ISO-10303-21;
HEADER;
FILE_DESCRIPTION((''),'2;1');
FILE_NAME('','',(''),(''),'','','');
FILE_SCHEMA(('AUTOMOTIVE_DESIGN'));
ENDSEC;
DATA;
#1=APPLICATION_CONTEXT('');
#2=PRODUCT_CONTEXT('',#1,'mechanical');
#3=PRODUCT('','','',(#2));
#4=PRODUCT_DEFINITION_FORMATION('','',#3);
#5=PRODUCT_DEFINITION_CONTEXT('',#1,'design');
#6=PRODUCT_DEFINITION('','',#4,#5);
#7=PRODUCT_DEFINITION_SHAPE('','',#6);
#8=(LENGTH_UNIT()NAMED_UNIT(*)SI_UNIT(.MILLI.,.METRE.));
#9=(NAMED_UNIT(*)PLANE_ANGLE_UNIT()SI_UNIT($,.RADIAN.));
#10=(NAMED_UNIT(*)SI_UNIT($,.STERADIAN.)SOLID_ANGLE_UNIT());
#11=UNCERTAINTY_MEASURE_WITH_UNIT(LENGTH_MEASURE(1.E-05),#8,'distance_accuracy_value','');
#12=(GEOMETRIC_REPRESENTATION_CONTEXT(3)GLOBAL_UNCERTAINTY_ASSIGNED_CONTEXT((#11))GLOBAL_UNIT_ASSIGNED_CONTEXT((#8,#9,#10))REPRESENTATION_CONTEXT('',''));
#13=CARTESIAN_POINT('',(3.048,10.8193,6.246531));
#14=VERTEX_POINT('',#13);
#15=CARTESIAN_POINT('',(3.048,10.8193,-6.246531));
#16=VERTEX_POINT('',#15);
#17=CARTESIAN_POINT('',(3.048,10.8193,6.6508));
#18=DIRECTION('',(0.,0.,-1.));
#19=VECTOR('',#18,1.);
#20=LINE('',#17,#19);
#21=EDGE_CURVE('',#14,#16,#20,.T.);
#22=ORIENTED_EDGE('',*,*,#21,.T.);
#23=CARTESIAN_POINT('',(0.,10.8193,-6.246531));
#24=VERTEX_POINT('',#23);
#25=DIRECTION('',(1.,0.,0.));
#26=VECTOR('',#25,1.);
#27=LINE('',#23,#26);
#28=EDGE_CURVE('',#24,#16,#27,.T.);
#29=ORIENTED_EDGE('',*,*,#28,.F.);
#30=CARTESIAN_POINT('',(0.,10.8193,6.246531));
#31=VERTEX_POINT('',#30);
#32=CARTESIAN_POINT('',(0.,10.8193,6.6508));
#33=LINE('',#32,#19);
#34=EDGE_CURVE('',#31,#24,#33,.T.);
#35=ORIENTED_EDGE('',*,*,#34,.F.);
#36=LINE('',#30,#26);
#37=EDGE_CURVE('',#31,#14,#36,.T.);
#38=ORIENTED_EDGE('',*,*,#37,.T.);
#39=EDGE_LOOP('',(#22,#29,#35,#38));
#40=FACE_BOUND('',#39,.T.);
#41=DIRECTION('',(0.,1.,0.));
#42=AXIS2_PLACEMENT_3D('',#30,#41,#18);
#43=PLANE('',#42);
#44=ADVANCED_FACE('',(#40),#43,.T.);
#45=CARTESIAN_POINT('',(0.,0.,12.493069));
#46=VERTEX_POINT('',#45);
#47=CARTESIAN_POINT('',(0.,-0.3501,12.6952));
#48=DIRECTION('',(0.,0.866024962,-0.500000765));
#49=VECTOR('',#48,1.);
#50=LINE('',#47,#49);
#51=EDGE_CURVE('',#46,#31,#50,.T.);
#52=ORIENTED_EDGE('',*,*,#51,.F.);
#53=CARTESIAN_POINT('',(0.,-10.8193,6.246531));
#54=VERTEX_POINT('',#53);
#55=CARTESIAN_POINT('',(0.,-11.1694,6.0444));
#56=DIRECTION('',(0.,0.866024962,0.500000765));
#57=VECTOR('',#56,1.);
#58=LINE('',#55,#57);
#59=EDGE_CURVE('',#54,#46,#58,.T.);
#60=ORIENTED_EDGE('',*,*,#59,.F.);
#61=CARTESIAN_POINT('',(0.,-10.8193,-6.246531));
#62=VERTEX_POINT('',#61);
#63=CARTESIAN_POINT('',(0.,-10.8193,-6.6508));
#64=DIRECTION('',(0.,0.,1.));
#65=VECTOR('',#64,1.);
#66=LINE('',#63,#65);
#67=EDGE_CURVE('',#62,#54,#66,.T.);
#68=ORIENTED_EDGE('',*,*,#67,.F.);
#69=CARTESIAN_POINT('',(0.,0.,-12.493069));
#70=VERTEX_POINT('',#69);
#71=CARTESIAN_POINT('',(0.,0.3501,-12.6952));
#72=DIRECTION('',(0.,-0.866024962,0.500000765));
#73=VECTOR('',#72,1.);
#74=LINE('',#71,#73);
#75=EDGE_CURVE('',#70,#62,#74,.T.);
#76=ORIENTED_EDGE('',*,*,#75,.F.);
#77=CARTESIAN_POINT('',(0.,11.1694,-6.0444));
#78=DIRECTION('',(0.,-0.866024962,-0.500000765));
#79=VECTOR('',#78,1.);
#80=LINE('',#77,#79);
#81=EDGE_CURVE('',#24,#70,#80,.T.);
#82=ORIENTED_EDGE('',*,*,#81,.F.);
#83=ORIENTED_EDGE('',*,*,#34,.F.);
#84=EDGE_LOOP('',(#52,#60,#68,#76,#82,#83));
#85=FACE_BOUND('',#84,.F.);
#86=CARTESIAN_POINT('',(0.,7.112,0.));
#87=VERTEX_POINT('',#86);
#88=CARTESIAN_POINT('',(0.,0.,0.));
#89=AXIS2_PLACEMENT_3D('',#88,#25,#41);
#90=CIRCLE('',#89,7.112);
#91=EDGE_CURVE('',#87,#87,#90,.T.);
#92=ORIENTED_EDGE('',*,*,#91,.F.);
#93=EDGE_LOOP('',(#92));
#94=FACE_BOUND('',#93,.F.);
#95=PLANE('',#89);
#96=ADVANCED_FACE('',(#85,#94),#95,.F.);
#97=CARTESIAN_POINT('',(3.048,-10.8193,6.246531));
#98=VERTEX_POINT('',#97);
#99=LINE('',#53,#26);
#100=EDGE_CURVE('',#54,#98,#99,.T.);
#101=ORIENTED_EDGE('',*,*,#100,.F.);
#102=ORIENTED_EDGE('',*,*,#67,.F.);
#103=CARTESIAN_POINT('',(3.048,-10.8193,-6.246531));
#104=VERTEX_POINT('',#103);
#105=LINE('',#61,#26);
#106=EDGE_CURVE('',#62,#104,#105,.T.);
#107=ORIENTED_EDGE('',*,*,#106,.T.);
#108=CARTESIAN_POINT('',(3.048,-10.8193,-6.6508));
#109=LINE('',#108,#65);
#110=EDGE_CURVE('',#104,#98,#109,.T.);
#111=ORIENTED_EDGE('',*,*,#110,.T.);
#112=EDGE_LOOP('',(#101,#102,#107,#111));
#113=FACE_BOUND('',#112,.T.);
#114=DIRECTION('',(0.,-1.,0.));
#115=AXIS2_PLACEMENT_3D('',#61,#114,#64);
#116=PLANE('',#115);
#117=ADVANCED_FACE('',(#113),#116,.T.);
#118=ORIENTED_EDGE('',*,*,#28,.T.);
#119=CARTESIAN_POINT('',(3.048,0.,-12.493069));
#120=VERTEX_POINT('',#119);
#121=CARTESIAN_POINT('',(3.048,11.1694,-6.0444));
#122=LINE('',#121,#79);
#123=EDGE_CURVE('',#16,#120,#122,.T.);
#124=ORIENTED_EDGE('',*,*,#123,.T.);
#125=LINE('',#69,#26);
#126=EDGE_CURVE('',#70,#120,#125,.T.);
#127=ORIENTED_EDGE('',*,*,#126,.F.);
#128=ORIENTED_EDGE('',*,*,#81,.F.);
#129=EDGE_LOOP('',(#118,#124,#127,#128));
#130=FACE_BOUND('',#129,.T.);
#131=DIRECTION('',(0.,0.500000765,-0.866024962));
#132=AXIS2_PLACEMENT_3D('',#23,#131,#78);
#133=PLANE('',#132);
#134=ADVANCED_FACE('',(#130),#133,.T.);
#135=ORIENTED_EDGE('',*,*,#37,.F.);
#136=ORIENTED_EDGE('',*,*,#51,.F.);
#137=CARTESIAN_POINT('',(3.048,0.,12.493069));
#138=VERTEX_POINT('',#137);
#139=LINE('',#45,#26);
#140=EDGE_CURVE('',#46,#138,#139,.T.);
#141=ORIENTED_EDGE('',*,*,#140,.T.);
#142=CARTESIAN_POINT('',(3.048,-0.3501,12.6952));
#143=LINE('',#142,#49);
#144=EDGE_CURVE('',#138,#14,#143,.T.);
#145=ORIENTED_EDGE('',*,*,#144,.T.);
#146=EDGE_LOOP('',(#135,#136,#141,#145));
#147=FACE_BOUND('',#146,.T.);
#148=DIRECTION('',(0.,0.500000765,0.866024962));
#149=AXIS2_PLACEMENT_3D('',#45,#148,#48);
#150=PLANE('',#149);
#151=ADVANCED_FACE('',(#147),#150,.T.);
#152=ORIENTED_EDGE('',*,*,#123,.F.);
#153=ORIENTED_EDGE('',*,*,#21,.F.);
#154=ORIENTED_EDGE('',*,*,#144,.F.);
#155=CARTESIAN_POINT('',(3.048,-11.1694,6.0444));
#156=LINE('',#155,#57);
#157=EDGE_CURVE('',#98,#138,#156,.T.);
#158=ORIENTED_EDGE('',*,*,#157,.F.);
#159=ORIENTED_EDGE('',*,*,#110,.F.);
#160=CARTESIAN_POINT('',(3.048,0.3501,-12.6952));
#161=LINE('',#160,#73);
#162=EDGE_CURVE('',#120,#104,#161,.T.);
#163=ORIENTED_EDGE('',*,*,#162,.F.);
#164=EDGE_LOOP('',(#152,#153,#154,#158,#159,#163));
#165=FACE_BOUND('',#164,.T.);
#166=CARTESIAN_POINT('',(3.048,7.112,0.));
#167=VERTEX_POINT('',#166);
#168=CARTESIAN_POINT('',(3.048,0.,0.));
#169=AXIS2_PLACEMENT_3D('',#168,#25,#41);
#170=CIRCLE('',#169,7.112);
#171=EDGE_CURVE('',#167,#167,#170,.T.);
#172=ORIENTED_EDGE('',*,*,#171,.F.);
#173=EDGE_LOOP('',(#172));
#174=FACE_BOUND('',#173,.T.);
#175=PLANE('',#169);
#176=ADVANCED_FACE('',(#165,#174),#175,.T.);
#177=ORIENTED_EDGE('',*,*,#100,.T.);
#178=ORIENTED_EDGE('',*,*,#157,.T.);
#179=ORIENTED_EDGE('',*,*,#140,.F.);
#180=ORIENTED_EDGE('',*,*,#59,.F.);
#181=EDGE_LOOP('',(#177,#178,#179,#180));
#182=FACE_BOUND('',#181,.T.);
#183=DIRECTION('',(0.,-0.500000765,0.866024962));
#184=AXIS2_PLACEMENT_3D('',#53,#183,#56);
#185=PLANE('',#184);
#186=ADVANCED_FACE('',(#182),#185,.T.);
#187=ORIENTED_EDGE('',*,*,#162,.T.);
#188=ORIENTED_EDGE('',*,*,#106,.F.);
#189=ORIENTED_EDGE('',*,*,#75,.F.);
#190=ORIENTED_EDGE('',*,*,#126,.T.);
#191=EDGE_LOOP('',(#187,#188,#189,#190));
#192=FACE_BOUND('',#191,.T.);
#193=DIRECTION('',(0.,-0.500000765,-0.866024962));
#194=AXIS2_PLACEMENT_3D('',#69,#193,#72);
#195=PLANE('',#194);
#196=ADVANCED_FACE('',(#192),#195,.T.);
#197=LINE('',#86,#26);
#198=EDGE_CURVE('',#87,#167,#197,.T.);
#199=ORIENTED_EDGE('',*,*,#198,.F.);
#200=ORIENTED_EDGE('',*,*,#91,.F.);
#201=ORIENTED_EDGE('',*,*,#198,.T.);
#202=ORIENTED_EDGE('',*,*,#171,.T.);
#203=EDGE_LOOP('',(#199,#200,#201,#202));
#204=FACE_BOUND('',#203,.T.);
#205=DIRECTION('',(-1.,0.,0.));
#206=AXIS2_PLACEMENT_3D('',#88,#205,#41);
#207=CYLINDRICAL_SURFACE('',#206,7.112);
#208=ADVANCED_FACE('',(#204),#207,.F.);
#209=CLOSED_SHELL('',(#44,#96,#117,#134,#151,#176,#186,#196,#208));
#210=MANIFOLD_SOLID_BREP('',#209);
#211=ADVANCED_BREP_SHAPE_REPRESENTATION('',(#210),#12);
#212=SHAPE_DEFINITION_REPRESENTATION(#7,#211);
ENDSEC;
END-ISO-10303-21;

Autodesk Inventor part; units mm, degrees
ref_plane "YZ Plane" through (0, 0, 0) normal (1, 0, 0) x (0, 1, 0)
ref_plane "XZ Plane" through (0, 0, 0) normal (0, 1, 0) x (-1, 0, 0)
ref_plane "XY Plane" through (0, 0, 0) normal (0, 0, 1) x (1, 0, 0)
sketch "Sketch1" plane through (0, 0, 0) normal (1, 0, 0) x (0, 1, 0)
  circle A0 centre (0, 0) radius 7.112
  circle A1 centre (0, 0) radius 12.7
  line L0 (10.8193, 6.6508) -> (10.8193, -6.6508)
  line L1 (-0.3501, 12.6952) -> (11.1694, 6.0444)
  line L2 (-11.1694, 6.0444) -> (0.3501, 12.6952)
  line L3 (-10.8193, -6.6508) -> (-10.8193, 6.6508)
  line L4 (0.3501, -12.6952) -> (-11.1694, -6.0444)
  line L5 (11.1694, -6.0444) -> (-0.3501, -12.6952)
  point P0 (0, -12.4931)
  point P1 (10.8193, -6.2465)
  point P2 (10.8193, 6.2465)
  point P3 (0, 12.4931)
  point P4 (-10.8193, 6.2465)
  point P5 (-10.8193, -6.2465)
  dimension "d0" = 14.224
  dimension "d1" = 25.4
  dimension "d6" = 360
extrude "Extrusion2" add sketch "Sketch1" along normal blind 3.048 contours L0 L5 L4 L3 L2 L1
properties part number "CH-2(Gearbox_Output_Spacer)"
